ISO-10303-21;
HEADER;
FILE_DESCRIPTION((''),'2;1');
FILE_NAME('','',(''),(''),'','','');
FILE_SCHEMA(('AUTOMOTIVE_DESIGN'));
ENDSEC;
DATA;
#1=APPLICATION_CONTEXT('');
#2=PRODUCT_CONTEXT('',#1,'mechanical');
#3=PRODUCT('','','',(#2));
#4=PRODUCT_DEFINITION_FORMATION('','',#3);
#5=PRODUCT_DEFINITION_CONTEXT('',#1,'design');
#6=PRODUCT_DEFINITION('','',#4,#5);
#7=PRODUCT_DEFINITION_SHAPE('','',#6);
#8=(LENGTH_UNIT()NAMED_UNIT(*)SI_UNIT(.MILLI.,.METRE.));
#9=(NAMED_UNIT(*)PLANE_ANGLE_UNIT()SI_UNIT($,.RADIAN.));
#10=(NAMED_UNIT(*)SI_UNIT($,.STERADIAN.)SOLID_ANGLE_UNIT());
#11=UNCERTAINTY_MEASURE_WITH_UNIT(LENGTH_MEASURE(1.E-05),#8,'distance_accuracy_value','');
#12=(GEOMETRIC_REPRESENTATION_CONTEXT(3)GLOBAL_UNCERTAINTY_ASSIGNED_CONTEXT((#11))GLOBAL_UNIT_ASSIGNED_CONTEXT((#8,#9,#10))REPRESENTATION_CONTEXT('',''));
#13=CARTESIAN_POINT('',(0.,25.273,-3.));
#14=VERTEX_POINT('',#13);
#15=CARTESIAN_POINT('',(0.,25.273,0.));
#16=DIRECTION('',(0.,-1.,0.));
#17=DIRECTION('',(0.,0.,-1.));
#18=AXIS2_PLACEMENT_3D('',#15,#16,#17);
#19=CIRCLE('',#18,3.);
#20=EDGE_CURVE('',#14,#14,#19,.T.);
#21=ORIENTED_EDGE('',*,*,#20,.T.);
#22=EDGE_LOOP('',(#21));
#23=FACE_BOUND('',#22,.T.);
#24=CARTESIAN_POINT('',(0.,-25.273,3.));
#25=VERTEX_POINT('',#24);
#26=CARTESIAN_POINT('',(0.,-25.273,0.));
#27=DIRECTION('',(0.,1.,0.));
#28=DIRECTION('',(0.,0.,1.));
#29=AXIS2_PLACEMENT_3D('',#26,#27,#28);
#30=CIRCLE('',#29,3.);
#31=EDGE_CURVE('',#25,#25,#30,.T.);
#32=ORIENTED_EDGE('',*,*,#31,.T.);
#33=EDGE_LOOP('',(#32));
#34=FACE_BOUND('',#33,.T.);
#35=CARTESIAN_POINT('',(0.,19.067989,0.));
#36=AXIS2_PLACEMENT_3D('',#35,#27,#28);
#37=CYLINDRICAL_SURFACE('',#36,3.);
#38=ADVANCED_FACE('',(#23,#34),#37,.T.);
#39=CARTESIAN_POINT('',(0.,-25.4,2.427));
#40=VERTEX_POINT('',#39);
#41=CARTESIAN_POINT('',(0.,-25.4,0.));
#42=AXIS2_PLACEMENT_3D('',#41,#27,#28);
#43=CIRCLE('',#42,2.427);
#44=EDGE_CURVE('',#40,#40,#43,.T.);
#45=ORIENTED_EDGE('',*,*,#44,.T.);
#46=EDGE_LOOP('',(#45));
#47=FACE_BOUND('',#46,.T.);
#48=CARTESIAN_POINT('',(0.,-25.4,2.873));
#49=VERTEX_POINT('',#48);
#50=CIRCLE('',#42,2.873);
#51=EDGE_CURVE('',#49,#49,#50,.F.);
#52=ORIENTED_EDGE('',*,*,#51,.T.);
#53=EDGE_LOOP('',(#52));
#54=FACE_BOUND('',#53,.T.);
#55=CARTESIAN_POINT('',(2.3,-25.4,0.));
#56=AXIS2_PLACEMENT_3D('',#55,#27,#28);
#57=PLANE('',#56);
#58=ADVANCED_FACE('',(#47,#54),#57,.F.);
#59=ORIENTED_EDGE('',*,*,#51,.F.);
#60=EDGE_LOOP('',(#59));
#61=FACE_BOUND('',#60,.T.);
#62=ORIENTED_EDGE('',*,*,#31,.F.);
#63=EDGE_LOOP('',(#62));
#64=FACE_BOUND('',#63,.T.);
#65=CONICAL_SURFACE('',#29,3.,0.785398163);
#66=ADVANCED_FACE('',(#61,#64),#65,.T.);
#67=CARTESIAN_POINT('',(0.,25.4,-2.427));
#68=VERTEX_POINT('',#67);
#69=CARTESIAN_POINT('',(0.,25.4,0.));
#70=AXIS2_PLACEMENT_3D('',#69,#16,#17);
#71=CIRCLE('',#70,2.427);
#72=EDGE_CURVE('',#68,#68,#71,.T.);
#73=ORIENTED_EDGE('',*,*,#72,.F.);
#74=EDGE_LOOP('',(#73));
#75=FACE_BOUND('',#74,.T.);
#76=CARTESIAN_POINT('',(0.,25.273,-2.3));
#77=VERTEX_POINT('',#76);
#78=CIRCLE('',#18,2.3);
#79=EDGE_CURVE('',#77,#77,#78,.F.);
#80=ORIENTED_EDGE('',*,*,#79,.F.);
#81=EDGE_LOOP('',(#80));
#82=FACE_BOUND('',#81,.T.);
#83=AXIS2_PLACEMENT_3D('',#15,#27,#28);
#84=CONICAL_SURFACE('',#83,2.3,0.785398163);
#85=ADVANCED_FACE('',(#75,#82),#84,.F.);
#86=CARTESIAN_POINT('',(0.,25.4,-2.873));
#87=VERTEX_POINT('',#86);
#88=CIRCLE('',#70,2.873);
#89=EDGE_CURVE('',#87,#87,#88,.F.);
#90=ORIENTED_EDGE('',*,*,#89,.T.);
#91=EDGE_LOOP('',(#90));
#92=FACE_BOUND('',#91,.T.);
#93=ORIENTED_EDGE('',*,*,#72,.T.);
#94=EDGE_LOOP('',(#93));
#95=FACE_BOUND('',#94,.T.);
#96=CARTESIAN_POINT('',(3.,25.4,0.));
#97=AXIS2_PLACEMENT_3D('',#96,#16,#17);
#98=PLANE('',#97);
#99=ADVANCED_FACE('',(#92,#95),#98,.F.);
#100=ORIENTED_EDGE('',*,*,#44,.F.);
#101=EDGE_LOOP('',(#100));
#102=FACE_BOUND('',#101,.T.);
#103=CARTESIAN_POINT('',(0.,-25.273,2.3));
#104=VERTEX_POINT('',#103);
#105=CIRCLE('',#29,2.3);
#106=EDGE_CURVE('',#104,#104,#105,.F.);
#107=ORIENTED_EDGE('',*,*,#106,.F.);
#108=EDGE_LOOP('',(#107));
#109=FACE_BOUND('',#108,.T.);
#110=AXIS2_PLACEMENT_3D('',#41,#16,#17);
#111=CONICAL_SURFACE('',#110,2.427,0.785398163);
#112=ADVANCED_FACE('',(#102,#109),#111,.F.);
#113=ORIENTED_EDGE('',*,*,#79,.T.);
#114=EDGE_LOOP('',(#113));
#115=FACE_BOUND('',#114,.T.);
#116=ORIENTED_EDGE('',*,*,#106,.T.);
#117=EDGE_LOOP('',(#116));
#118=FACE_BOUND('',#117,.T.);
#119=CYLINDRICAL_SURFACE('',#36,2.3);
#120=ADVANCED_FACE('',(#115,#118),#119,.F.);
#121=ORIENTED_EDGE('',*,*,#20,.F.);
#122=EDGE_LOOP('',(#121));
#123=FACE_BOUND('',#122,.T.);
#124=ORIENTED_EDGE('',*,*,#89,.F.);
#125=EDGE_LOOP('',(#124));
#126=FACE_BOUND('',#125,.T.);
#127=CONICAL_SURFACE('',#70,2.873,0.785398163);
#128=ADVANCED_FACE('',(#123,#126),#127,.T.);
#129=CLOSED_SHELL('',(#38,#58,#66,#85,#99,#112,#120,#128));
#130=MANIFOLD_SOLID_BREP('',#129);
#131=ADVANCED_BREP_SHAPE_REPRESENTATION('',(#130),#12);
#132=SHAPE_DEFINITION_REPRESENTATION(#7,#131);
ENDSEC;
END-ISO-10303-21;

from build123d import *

# Parameters (mm, degrees)
SKETCH1_W     = 0.7
SKETCH1_H     = 50.8
CHAMFER1_SIZE = 0.127


with BuildPart() as part:
    # Sketch1 → Revolve1 (revolve)
    with BuildSketch(Plane.XY):
        with Locations((2.65, 0)):
            Rectangle(SKETCH1_W, SKETCH1_H)
    revolve(axis=Axis((0, 19.067988669, 0), (0, -1, 0)))

    # Chamfer1
    chamfer1_edges = [part.edges().sort_by_distance(p)[0] for p in [
        (-3, 25.4, 0),
        (-3, -25.4, 0),
        (-2.3, -25.4, 0),
        (-2.3, 25.4, 0),
    ]]
    chamfer(chamfer1_edges, length=CHAMFER1_SIZE)


solid = part.part
